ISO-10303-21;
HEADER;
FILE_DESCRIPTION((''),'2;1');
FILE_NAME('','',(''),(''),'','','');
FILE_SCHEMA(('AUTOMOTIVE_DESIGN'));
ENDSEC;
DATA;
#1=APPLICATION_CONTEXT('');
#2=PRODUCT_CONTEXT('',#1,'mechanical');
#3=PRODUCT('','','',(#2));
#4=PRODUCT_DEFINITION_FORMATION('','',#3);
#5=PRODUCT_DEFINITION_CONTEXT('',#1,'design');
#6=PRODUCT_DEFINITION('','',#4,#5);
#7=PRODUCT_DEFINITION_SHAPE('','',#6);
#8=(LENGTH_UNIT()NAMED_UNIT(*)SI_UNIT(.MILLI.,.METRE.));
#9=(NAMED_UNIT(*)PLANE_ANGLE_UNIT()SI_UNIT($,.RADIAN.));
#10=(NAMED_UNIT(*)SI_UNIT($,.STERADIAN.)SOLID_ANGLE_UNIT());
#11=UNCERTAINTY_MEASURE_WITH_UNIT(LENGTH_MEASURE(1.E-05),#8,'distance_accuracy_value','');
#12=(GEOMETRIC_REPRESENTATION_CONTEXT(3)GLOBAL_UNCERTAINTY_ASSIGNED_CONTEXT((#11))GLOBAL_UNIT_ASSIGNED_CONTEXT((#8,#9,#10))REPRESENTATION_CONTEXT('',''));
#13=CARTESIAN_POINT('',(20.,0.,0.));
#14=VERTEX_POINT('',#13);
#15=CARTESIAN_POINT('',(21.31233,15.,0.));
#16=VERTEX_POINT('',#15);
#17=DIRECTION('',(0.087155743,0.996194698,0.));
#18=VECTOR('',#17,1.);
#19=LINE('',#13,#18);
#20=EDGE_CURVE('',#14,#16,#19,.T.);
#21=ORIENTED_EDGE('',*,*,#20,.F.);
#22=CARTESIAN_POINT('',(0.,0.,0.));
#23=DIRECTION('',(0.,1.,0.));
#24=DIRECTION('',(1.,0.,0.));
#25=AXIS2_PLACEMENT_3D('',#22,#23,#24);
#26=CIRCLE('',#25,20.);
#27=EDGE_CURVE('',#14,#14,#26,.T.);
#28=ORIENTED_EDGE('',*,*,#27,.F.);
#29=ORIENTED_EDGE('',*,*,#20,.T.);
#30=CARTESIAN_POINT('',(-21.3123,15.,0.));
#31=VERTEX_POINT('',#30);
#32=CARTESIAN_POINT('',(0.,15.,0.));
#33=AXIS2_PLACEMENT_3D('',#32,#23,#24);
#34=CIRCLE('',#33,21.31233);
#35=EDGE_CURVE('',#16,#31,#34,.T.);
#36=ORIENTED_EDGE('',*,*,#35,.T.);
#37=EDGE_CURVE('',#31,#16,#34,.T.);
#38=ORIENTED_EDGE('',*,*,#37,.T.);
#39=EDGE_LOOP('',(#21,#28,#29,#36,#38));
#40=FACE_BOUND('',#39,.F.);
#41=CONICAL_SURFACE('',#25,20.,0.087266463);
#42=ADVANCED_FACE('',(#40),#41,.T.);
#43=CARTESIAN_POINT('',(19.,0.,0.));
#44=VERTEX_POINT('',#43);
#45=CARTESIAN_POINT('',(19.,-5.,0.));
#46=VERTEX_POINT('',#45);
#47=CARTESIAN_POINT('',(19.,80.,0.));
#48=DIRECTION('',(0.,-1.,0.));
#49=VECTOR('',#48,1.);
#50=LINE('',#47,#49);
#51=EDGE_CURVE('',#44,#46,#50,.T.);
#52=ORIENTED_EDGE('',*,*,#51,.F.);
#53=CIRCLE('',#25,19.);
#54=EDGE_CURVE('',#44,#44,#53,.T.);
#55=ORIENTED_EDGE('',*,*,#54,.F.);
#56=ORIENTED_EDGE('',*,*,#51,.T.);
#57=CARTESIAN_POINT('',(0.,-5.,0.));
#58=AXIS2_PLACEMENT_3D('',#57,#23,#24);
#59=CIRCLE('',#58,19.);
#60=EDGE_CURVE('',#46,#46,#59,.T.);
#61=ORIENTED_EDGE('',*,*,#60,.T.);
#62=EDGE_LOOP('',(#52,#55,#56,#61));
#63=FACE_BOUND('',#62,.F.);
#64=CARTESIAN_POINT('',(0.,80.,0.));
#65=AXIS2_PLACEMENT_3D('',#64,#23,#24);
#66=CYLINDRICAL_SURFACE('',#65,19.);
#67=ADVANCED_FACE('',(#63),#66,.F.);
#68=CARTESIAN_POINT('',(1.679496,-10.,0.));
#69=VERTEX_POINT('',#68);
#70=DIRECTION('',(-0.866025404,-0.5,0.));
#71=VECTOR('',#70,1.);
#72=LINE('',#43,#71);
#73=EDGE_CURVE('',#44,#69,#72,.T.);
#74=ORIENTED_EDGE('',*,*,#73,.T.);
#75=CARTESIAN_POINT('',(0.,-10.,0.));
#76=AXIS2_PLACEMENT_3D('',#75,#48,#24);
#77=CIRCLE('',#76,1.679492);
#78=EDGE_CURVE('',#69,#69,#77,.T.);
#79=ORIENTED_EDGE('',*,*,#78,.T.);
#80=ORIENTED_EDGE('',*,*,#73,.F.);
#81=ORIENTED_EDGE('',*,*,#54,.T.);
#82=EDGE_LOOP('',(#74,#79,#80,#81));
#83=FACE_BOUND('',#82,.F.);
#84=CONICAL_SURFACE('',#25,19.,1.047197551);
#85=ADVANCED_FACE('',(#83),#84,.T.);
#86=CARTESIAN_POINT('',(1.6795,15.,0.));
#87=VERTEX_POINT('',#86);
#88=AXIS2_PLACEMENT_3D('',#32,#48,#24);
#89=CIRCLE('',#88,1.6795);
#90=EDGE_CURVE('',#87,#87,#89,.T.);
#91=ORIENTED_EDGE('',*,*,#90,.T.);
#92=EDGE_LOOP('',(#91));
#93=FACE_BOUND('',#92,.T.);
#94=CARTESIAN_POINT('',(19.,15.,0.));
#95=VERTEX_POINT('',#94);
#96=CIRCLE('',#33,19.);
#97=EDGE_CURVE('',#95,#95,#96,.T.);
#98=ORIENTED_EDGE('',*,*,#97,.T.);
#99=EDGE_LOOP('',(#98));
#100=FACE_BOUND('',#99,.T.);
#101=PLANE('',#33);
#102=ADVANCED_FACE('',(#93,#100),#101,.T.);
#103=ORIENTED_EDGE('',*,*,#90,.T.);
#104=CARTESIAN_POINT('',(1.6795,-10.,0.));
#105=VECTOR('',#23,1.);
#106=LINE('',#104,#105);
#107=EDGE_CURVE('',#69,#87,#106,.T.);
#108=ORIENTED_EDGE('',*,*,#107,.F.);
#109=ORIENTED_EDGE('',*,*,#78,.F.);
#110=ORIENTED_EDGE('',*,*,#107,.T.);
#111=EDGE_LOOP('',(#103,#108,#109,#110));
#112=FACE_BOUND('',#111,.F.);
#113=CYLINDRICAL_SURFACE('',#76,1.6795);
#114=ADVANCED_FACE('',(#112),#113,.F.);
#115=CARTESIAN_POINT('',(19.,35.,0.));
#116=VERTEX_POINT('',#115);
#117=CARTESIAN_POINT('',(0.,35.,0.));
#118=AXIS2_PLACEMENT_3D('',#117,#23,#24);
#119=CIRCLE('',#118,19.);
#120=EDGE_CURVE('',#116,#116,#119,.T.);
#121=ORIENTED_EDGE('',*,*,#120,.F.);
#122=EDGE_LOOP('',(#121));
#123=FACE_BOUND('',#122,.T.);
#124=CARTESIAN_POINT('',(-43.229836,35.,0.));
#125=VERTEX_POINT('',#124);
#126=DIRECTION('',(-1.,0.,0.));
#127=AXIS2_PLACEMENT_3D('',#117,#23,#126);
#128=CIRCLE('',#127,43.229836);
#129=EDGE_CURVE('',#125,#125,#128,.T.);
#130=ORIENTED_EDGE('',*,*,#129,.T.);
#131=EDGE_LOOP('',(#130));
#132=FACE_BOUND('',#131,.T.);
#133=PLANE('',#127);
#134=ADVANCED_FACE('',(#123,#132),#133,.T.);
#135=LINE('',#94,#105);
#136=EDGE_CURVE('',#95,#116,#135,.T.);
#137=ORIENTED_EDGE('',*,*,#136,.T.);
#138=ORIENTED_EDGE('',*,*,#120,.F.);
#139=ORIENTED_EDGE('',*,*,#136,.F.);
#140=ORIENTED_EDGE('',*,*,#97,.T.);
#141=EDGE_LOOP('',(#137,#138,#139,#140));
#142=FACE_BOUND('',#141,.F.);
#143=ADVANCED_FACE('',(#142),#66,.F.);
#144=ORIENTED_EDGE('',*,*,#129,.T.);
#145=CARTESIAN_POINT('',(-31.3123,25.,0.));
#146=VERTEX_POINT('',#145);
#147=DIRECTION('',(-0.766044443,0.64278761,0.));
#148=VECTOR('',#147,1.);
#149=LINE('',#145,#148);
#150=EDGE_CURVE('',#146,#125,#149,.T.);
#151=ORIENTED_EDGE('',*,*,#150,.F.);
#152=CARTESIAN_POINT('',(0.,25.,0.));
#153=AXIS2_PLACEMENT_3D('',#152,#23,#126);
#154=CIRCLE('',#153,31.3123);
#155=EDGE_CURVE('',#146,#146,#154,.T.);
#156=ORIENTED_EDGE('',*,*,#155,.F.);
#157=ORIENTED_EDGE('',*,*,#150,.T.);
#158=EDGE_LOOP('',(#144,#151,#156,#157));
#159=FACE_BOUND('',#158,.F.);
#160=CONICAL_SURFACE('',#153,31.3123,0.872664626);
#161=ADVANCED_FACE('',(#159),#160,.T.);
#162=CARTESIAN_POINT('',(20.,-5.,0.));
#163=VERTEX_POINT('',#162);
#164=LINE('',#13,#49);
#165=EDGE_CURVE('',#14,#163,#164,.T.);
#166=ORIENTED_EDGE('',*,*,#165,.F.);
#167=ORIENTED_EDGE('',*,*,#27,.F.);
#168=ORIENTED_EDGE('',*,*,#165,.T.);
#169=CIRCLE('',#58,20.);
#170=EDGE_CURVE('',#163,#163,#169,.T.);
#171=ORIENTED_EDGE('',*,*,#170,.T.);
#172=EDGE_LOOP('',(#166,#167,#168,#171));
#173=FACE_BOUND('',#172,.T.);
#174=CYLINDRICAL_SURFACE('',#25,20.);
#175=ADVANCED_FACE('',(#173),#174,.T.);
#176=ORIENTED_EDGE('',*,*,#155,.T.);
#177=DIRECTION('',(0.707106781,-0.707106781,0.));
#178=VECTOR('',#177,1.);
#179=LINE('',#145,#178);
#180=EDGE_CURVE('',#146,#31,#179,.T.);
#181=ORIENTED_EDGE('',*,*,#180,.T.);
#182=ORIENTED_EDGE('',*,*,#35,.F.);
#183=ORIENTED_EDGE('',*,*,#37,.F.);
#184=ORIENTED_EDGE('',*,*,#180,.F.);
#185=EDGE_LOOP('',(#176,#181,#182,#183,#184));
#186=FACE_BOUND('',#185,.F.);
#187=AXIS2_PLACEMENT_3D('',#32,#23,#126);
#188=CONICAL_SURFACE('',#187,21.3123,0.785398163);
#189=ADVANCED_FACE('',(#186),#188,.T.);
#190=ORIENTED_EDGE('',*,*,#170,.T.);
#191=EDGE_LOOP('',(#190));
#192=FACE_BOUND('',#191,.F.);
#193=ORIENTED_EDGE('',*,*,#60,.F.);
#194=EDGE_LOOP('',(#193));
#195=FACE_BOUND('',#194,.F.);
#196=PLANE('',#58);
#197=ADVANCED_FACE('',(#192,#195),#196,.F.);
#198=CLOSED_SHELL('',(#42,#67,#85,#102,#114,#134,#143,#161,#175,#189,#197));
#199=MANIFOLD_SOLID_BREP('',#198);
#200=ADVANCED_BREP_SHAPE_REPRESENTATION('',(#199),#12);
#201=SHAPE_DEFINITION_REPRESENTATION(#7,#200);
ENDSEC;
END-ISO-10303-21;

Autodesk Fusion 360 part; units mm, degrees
sketch "Sketch1" plane through (0, 0, 0) normal (0, 1, 0) x (1, 0, 0)
  circle A0 centre (0, 0) radius 18.5
  circle A1 centre (0, 0) radius 20
  dimension "d1" = 37
  dimension "d2" = 1.5
extrude "Extrude1" add sketch "Sketch1" along normal blind 15 draft 5 and the other way blind 5
sketch "Sketch2" plane through (0, 15, 0) normal (0, 1, 0) x (-1, 0, 0)
  circle A0 centre (0, 0) radius 17.1877
  circle A1 centre (0, 0) radius 21.3123
  circle A2 centre (0, 0) radius 17.1877
  circle A3 centre (0, 0) radius 21.3123
extrude "Extrude2" add sketch "Sketch2" along normal blind 10 draft 45
sketch "Sketch3" plane through (0, 25, 0) normal (0, 1, 0) x (-1, 0, 0)
  circle A0 centre (0, 0) radius 7.1877
  circle A1 centre (0, 0) radius 31.3123
  circle A2 centre (0, 0) radius 12.1877
  circle A3 centre (0, 0) radius 26.3123
extrude "Extrude3" add sketch "Sketch3" along normal blind 10 draft 50 contours A1 | A3
sketch "Sketch4" plane through (0, 25, 0) normal (0, 1, 0) x (-1, 0, 0)
  circle A0 centre (0, 0) radius 12.1877
  circle A1 centre (0, 0) radius 7.1877
  circle A2 centre (0, 0) radius 7.1877
extrude "Extrude4" cut sketch "Sketch4" along normal blind 60 contours A1 A2
sketch "Sketch5" plane through (0, 35, 0) normal (0, 1, 0) x (-1, 0, 0)
  circle A0 centre (0, 0) radius 7.1877
  circle A1 centre (0, 0) radius 43.2299
  circle A2 centre (0, 0) radius 35
extrude "Extrude5" cut sketch "Sketch5" against normal blind 20 draft -50 contours A2
ref_plane "WorkPlane1" through (0, 15, 0) normal (0, 1, 0) x (0, 0, 1)
sketch "Sketch6" plane through (0, 15, 0) normal (0, 1, 0) x (1, 0, 0)
  circle A0 centre (0, 0) radius 19
  dimension "d16" = 38
extrude "Extrude6" cut sketch "Sketch6" along normal blind -70 and the other way blind -65
sketch "Sketch7" plane through (0, 15, 0) normal (0, 1, 0) x (1, 0, 0)
  circle A0 centre (0, 0) radius 19
extrude "Extrude7" add sketch "Sketch7" against normal blind 15
sketch "Sketch8" plane through (0, 0, 0) normal (0, -1, 0) x (1, 0, 0)
  circle A0 centre (0, 0) radius 19
  circle A1 centre (0, 0) radius 19
extrude "Extrude8" add sketch "Sketch8" along normal blind 10 draft -60
sketch "Sketch9" plane through (0, -10, 0) normal (0, -1, 0) x (1, 0, 0)
  circle A0 centre (0, 0) radius 1.6795
  circle A1 centre (0, 0) radius 1.6795
  dimension "d27" = 3.359
extrude "Extrude9" cut sketch "Sketch9" against normal blind 60
